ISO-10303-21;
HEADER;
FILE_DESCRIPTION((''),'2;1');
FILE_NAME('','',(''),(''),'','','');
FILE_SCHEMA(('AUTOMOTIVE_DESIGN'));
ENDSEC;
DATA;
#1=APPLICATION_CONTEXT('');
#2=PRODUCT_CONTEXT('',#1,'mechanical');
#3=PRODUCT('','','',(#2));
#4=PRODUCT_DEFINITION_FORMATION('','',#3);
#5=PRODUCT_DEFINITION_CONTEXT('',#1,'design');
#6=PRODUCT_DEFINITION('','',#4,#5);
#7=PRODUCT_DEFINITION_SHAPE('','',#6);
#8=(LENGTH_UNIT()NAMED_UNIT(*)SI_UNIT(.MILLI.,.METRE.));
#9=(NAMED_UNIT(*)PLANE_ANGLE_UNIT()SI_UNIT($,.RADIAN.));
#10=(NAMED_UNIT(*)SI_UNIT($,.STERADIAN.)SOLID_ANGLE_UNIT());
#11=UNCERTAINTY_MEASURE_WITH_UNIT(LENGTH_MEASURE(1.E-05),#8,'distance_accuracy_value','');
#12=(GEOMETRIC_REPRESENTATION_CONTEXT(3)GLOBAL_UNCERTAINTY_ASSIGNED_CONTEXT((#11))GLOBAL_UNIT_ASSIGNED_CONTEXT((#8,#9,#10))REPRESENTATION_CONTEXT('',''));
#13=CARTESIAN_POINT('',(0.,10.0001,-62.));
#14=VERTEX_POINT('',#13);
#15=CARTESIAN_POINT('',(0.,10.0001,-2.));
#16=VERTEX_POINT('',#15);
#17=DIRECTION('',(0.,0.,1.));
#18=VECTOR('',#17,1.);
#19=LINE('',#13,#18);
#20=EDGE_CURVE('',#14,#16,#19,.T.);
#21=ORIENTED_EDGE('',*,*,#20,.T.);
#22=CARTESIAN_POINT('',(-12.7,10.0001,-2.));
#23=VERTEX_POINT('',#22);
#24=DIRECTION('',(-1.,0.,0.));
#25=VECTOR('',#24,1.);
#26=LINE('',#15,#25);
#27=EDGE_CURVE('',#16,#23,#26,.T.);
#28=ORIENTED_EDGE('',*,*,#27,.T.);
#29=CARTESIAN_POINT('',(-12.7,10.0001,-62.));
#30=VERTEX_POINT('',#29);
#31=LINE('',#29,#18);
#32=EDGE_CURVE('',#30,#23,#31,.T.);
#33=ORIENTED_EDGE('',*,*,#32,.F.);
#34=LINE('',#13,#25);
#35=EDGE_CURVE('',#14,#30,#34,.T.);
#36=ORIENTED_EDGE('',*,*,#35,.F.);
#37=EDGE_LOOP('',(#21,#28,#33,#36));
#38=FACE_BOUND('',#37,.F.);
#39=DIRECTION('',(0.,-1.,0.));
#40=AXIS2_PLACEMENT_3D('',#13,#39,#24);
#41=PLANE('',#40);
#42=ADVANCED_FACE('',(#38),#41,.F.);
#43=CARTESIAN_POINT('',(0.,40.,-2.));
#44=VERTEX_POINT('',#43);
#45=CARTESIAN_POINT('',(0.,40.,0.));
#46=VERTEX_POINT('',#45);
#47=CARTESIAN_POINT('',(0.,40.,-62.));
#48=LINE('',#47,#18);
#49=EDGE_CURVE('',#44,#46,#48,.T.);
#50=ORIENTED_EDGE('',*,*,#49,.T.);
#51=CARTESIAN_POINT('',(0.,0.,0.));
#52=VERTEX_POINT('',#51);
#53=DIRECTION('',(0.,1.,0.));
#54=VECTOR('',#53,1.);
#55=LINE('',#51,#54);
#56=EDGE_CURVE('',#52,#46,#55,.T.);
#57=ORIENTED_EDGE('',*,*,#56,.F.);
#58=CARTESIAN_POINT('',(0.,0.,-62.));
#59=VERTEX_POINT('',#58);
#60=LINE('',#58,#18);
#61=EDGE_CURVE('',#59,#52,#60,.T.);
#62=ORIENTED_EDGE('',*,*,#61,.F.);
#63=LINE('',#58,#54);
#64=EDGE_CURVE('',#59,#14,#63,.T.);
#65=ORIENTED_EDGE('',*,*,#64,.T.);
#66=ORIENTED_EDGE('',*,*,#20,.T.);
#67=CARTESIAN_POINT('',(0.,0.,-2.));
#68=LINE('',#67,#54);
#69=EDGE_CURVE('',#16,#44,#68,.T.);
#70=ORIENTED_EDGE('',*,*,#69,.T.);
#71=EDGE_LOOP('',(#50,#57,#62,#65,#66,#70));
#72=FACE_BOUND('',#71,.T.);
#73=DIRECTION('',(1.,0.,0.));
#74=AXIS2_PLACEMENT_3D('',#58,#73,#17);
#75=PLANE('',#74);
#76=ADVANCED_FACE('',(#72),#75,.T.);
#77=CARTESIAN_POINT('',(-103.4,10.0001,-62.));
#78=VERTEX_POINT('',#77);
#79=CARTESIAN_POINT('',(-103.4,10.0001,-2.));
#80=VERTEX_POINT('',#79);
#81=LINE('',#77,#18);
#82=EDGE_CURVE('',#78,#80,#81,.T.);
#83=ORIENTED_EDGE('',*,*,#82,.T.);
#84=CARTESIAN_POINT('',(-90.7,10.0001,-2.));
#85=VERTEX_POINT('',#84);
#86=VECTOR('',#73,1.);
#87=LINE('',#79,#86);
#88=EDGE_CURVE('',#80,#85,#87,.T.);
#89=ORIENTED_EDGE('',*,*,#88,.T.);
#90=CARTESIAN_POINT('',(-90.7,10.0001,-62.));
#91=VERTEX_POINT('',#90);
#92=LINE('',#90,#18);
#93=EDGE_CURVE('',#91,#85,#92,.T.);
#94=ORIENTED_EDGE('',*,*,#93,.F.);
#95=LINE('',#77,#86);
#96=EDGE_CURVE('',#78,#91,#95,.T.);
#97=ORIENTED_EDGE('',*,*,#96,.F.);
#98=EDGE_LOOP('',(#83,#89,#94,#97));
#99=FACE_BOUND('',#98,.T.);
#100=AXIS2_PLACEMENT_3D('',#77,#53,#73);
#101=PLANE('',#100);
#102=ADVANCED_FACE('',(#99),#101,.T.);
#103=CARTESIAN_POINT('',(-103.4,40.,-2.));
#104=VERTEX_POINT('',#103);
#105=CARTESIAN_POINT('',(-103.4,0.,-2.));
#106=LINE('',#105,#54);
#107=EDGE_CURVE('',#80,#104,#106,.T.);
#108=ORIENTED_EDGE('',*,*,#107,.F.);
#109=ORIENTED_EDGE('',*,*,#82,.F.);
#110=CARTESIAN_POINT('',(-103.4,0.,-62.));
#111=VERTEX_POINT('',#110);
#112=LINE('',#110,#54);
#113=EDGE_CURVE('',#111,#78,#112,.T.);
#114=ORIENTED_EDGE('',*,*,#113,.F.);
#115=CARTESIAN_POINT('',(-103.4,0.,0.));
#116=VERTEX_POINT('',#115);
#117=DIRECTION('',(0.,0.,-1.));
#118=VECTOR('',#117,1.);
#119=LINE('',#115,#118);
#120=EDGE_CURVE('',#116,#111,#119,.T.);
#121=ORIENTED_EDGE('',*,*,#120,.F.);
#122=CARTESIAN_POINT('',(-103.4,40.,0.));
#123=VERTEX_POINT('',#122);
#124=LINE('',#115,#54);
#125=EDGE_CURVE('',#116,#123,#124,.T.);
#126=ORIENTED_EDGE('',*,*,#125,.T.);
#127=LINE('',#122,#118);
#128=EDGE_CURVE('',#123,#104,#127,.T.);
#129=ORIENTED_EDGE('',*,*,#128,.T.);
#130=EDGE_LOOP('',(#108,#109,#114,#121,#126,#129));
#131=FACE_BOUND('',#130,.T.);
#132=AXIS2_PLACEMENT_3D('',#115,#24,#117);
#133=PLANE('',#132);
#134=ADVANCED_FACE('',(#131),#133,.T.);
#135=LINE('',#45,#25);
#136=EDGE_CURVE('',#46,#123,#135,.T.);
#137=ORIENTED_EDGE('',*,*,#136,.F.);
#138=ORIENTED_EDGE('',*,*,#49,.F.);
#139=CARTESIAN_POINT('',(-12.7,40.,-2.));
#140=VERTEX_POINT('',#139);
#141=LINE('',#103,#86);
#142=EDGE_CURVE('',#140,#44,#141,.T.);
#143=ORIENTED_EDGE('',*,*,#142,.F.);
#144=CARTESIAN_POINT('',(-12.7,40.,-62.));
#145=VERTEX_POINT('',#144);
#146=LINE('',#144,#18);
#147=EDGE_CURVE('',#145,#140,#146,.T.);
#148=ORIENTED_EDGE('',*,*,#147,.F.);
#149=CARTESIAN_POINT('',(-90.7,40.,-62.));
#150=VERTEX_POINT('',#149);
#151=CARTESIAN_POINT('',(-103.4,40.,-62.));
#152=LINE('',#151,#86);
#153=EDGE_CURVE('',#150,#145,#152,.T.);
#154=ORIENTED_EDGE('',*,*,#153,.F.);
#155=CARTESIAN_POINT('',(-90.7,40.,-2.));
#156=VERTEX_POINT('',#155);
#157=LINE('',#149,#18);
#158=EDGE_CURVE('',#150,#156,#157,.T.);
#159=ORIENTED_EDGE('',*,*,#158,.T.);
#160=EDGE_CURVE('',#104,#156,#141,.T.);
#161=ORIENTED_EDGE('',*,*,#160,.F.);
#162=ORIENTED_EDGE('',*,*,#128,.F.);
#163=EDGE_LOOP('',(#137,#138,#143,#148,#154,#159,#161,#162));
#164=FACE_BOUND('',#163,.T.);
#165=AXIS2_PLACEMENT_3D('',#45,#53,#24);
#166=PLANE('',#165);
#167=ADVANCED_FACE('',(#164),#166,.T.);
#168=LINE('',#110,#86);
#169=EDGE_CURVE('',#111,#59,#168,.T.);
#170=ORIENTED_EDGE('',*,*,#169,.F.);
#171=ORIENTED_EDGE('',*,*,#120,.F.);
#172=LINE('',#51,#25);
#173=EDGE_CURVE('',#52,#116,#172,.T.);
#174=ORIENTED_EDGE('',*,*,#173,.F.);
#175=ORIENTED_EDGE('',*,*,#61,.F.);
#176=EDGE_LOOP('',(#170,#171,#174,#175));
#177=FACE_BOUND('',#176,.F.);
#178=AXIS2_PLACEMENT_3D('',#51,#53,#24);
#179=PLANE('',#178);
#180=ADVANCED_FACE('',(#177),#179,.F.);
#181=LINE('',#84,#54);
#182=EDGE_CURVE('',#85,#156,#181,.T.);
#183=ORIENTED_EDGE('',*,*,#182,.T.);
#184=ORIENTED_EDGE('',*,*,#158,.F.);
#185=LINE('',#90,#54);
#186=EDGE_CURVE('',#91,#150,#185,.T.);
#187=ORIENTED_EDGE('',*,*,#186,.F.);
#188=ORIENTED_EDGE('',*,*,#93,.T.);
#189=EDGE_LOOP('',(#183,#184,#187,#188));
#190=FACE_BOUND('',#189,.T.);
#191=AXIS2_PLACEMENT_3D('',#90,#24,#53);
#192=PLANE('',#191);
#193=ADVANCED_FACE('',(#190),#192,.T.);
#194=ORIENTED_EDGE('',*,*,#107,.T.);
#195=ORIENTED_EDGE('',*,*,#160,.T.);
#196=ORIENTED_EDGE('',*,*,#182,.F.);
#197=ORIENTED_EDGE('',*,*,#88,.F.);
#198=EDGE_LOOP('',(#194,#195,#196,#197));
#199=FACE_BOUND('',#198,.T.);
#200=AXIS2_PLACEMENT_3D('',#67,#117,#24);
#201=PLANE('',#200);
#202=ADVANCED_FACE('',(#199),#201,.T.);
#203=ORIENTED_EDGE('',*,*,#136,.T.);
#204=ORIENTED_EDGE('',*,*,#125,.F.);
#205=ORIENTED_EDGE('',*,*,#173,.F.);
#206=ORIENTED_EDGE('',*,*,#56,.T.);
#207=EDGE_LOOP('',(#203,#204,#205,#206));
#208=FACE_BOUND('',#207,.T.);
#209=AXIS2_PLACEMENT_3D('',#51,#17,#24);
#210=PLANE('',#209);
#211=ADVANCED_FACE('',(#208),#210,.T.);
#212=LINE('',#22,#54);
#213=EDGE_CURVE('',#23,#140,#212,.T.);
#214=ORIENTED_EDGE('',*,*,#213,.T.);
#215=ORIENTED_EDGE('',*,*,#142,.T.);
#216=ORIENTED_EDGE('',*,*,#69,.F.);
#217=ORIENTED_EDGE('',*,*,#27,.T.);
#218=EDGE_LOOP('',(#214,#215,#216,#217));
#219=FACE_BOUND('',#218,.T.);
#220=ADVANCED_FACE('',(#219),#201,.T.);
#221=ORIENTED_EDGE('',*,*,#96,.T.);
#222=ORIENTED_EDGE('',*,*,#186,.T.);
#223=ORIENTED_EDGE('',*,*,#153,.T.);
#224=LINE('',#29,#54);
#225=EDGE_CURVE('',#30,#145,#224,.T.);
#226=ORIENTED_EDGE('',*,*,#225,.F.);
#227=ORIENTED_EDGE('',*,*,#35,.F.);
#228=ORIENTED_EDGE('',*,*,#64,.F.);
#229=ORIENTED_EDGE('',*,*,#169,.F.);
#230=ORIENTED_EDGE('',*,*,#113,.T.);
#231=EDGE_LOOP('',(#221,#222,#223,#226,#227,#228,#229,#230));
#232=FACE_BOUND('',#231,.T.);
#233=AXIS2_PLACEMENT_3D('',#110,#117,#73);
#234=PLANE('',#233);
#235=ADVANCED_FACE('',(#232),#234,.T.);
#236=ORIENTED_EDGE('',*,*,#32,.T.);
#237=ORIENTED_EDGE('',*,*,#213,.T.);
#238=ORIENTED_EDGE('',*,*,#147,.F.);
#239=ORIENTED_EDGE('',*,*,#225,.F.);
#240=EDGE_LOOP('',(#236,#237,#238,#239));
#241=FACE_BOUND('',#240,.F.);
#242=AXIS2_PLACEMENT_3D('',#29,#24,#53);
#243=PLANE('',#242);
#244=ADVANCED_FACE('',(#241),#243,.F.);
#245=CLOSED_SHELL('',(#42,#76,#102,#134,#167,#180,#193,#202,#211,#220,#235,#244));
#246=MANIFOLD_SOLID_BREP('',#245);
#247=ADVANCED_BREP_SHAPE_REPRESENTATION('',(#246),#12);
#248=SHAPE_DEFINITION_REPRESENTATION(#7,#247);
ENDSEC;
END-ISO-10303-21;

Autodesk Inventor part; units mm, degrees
ref_plane "YZ Plane" through (0, 0, 0) normal (1, 0, 0) x (0, 1, 0)
ref_plane "XZ Plane" through (0, 0, 0) normal (0, 1, 0) x (-1, 0, 0)
ref_plane "XY Plane" through (0, 0, 0) normal (0, 0, 1) x (1, 0, 0)
sketch "Sketch1" plane through (0, 0, 0) normal (0, 1, 0) x (-1, 0, 0)
  line L0 (0, 0) -> (103.4, 0)
  line L1 (103.4, 0) -> (103.4, -62)
  line L2 (103.4, -62) -> (0, -62)
  line L3 (0, -62) -> (0, 0)
  dimension "d0" = 103.4
  dimension "d1" = 62
extrude "Extrusion1" add sketch "Sketch1" along normal blind 40
sketch "Sketch2" plane through (0, 0, -62) normal (0, 0, -1) x (-1, 0, 0)
  line L0 (103.4, 40) -> (0, 40) projected
  line L1 (51.7, 40) -> (90.7, 40)
  line L2 (103.4, 0) -> (103.4, 40) projected
  line L3 (90.7, 40) -> (103.4, 40)
  line L4 (103.4, 40) -> (103.4, 10.0001)
  line L5 (103.4, 10.0001) -> (90.7, 10.0001)
  line L6 (90.7, 10.0001) -> (90.7, 40)
  line L7 (51.7, 40) -> (51.7, 19.0962)
  line L8 (0, 10.0001) -> (12.7, 10.0001)
  line L9 (12.7, 10.0001) -> (12.7, 40)
  line L10 (0, 40) -> (103.4, 40)
  line L11 (0, 0) -> (0, 40)
  dimension "d4" = 39
extrude "Extrusion2" cut sketch "Sketch2" against normal blind 60
properties part number "RPS-120-12 power supply"
